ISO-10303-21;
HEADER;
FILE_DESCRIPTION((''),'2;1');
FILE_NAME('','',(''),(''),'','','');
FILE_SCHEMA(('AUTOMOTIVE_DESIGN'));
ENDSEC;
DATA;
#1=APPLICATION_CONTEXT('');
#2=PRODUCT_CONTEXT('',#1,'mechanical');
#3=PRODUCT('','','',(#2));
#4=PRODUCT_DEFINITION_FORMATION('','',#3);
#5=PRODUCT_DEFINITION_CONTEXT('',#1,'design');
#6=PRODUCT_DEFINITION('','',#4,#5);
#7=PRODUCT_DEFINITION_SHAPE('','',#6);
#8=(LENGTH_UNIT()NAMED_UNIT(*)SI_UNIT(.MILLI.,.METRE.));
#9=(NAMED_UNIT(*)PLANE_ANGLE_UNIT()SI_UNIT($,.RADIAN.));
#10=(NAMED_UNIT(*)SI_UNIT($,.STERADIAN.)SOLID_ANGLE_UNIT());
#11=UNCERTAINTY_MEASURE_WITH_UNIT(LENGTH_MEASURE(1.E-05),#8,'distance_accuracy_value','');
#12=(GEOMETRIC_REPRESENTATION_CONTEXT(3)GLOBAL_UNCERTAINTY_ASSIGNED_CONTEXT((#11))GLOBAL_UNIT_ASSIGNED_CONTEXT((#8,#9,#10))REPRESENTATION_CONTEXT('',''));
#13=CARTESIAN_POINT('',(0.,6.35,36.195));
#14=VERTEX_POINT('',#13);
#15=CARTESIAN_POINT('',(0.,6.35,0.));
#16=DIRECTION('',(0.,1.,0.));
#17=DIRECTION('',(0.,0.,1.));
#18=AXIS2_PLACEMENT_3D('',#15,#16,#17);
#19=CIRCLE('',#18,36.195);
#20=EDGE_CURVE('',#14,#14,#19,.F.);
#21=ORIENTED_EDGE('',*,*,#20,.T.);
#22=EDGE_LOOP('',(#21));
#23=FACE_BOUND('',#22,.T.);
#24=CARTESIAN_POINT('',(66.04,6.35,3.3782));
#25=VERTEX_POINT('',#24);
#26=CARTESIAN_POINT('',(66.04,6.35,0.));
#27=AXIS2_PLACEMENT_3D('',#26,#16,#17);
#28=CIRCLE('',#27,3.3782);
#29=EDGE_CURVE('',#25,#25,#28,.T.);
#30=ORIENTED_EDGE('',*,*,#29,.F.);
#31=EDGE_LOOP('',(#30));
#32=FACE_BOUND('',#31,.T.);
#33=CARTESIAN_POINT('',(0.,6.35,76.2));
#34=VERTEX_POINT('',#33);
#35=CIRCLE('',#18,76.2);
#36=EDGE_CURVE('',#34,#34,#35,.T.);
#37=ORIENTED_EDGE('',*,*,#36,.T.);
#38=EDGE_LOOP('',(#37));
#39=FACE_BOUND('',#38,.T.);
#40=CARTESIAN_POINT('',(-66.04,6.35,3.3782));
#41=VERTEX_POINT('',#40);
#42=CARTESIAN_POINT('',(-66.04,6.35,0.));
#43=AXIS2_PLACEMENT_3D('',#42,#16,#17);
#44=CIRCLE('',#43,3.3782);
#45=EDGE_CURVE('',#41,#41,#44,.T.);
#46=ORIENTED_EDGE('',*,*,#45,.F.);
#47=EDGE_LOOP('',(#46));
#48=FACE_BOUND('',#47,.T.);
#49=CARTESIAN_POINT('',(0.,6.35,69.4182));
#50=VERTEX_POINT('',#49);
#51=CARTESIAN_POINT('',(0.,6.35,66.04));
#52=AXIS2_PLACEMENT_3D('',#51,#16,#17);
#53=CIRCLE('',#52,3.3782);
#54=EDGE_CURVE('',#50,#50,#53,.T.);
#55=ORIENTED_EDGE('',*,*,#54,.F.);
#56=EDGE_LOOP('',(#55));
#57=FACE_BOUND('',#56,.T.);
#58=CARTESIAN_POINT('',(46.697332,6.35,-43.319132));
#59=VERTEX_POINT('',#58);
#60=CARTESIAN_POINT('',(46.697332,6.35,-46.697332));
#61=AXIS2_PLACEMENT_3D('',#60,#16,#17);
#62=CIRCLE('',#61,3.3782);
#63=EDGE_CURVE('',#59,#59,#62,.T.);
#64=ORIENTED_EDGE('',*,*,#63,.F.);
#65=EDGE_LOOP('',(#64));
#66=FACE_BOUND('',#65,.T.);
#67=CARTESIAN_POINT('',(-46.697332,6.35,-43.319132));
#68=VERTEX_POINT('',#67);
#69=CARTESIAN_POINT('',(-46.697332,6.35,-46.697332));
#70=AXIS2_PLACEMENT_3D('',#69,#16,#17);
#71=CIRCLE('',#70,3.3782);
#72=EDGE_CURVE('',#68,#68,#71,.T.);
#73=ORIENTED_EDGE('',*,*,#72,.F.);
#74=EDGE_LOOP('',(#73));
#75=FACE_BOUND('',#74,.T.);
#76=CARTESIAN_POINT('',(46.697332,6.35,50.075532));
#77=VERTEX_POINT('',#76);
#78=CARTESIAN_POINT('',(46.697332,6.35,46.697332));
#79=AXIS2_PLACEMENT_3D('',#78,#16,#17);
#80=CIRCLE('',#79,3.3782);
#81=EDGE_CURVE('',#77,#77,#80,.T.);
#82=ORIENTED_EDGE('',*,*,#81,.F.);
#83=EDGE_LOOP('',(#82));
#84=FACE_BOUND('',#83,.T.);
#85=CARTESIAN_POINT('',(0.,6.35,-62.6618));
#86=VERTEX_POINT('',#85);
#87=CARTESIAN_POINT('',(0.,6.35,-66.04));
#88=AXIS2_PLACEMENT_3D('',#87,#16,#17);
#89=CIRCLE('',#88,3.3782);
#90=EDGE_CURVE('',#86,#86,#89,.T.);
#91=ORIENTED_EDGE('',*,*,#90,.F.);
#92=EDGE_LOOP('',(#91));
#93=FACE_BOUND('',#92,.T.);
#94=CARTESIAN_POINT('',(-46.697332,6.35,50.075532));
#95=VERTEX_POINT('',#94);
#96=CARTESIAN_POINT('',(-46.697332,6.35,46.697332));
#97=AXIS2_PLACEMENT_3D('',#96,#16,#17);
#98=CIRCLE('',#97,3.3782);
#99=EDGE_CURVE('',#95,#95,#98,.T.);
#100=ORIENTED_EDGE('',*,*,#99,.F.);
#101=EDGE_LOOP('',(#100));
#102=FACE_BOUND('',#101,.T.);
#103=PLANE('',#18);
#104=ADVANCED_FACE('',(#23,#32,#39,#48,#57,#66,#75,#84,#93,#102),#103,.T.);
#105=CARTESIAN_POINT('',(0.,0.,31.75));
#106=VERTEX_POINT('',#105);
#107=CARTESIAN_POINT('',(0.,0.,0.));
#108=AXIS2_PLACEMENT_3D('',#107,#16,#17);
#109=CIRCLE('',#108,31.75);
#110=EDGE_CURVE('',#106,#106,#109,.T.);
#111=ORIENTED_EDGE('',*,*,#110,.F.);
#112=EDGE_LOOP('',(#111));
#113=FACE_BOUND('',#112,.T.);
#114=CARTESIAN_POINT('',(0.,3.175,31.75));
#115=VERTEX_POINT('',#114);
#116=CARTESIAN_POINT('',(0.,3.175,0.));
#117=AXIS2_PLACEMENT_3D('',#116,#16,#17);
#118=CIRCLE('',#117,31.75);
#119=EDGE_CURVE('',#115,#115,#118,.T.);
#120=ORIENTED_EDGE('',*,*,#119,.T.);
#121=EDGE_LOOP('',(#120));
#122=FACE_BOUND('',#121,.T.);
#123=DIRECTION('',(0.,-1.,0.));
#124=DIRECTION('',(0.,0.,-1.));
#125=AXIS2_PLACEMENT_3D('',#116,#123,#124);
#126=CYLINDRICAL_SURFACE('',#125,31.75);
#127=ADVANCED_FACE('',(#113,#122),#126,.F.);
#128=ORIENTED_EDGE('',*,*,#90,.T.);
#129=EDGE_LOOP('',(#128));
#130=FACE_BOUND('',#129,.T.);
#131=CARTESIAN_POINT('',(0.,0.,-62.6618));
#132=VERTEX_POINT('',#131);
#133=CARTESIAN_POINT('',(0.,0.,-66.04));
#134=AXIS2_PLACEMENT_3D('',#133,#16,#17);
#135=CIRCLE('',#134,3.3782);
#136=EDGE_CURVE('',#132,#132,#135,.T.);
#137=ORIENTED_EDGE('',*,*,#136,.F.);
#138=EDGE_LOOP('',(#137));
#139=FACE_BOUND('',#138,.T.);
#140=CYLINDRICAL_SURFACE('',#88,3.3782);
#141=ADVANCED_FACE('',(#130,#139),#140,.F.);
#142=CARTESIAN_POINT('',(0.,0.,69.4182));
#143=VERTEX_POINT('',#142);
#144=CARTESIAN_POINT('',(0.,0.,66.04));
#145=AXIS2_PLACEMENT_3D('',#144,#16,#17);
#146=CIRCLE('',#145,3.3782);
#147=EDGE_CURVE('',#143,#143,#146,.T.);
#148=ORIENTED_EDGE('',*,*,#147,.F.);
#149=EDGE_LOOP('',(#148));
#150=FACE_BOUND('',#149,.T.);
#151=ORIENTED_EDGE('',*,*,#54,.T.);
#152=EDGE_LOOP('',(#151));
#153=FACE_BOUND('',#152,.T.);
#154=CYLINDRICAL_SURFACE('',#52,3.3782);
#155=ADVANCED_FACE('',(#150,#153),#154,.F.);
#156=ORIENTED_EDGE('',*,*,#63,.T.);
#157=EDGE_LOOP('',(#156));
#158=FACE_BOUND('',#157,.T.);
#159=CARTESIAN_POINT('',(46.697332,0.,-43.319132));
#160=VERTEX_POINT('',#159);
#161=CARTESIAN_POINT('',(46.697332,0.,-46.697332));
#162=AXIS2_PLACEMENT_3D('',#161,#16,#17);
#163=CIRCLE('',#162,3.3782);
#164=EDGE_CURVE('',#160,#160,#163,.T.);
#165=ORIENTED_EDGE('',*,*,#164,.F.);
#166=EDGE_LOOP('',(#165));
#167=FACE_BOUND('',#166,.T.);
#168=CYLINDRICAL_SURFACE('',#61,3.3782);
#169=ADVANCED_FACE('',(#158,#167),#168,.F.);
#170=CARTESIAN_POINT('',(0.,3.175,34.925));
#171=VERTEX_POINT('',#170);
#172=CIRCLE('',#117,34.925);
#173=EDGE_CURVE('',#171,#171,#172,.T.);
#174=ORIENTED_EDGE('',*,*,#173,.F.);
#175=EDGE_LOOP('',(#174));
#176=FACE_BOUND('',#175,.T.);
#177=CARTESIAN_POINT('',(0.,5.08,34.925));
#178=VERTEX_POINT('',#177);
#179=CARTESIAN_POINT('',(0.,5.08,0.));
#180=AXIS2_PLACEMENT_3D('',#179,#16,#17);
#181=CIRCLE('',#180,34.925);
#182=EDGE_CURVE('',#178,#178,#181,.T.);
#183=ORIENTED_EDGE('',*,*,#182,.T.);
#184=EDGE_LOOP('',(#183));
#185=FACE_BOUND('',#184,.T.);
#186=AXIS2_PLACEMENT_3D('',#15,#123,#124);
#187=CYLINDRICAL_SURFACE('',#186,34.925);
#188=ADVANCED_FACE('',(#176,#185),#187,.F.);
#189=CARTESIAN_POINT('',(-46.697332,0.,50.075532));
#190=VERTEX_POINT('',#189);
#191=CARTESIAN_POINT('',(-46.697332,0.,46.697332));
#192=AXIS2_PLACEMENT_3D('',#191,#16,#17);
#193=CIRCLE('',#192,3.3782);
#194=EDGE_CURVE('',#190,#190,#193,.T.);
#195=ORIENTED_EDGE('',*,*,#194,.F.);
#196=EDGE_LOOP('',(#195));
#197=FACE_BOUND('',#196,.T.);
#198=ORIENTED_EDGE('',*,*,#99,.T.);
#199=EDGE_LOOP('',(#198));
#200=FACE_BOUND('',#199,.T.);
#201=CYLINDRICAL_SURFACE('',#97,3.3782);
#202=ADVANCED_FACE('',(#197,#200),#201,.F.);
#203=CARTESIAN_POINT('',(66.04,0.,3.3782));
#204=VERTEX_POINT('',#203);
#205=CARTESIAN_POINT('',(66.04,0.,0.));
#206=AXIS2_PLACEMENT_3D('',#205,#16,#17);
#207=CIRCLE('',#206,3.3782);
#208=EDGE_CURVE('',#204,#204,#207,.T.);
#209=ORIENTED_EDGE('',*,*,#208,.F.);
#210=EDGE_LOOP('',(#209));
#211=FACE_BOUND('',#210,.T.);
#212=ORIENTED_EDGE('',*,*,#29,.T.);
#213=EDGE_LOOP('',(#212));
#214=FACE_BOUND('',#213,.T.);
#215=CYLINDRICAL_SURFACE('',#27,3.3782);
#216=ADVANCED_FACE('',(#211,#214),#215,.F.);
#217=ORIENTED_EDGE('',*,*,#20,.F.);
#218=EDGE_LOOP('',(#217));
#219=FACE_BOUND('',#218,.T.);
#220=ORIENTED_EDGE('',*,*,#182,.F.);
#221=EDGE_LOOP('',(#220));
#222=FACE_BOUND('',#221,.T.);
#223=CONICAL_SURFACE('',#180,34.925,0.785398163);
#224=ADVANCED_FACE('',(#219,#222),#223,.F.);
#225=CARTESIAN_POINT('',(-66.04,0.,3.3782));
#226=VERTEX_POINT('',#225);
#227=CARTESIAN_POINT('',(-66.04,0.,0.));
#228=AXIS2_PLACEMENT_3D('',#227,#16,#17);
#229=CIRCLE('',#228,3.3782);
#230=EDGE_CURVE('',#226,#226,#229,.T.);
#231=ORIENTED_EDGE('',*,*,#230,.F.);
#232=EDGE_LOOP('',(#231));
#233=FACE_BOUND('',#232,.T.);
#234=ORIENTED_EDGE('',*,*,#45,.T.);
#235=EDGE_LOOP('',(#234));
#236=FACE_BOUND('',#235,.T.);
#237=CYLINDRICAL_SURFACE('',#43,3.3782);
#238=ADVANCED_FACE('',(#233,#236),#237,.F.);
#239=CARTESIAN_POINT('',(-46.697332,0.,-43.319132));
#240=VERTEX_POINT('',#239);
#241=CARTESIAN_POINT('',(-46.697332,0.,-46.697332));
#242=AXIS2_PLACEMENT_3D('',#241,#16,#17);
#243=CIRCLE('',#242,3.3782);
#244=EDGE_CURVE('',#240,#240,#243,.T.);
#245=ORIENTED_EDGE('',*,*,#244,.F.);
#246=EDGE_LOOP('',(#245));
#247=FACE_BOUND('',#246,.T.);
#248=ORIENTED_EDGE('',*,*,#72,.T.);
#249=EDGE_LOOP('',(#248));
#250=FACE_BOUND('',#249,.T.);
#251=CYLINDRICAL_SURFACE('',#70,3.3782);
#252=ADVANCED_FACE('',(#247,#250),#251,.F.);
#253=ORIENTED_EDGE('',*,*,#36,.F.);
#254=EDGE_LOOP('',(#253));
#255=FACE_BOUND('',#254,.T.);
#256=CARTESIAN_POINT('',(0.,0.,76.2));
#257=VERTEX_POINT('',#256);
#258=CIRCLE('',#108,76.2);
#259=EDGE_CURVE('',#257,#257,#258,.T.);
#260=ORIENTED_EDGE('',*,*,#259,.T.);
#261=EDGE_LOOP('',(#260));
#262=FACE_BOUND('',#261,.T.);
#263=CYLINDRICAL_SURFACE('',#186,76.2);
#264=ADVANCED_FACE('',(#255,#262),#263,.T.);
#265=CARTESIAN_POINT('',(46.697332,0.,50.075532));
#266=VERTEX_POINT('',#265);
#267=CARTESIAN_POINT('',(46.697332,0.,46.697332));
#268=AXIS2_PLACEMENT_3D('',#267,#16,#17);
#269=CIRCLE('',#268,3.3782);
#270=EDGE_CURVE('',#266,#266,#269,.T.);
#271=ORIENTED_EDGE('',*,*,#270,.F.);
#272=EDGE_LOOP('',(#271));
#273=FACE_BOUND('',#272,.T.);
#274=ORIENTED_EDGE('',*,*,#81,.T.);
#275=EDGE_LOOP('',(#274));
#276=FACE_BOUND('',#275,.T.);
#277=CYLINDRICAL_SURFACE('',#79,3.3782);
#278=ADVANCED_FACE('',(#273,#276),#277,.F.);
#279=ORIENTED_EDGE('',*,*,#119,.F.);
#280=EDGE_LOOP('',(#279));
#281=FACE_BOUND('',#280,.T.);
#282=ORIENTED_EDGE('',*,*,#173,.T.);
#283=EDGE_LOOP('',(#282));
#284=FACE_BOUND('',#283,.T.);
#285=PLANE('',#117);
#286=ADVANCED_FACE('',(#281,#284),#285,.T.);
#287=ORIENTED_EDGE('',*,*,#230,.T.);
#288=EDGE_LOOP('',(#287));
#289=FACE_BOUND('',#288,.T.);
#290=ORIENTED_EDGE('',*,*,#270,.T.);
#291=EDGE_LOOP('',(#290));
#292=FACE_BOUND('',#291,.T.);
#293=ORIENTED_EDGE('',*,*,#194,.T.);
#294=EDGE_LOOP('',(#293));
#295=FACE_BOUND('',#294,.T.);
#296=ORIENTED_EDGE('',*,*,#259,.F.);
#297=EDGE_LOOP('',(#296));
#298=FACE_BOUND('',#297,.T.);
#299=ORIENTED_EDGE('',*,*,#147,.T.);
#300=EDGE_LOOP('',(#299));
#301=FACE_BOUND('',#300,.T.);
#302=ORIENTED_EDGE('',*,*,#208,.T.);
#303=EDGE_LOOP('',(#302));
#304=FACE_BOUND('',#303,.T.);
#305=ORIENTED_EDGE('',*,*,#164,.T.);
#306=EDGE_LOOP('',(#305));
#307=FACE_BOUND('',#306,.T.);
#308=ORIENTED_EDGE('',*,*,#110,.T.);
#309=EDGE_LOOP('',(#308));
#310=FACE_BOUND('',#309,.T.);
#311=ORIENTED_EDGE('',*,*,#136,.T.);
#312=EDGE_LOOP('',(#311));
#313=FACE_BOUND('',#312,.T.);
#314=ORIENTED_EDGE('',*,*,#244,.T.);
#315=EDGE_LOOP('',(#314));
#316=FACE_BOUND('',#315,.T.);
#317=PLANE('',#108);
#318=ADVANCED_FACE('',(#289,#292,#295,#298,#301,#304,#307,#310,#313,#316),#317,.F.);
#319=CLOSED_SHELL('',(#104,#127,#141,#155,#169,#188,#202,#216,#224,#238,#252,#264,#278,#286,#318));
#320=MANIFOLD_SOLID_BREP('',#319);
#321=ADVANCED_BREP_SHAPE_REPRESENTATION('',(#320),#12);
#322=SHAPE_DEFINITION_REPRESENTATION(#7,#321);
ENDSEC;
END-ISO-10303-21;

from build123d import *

# Parameters (mm, degrees)
SKETCH1_R           = 76.2
SKETCH1_R_2         = 34.925
BOSS_EXTRUDE1_DEPTH = 6.35
CIRPATTERN1_COUNT   = 8
CHAMFER1_SIZE       = 1.27
SKETCH6_R           = 34.925
SKETCH6_R_2         = 31.75
BOSS_EXTRUDE2_DEPTH = 3.175


with BuildPart() as part:
    # Sketch1 → Boss-Extrude1 (new body)
    with BuildSketch(Plane(origin=(0, 0, 0), x_dir=(1, 0, 0), z_dir=(0, 1, 0))):
        Circle(SKETCH1_R)
        Circle(SKETCH1_R_2, mode=Mode.SUBTRACT)
    extrude(amount=BOSS_EXTRUDE1_DEPTH)

    # Sketch4 → 1/4 Clearance Hole1 (revolve, cut)
    with BuildSketch(Plane(origin=(0, 6.35, 66.04), x_dir=(0, 0, 1), z_dir=(1, 0, 0))):
        Polygon((0, 0), (0, 27.429827343), (3.3782, 25.4), (3.3782, 0), align=None)
    f_1_4_clearance_hole1 = revolve(axis=Axis((0, 12.7, 66.04), (0, -1, 0)), mode=Mode.SUBTRACT)

    # CirPattern1: 1/4 Clearance Hole1 ×8 about axis
    cirpattern1_axis = Axis((0, 6.6675, 0), (0, -1, 0))
    for i in range(1, CIRPATTERN1_COUNT):
        add(f_1_4_clearance_hole1.rotate(cirpattern1_axis, i * 360 / CIRPATTERN1_COUNT), mode=Mode.SUBTRACT)

    # Chamfer1
    chamfer1_edges = [part.edges().sort_by_distance(p)[0] for p in [
        (-34.925, 6.35, 0),
    ]]
    chamfer(chamfer1_edges, length=CHAMFER1_SIZE)

    # Sketch6 → Boss-Extrude2 (add)
    with BuildSketch(Plane(origin=(0, 0, 0), x_dir=(1, 0, 0), z_dir=(0, 1, 0))):
        Circle(SKETCH6_R)
        Circle(SKETCH6_R_2, mode=Mode.SUBTRACT)
    extrude(amount=BOSS_EXTRUDE2_DEPTH)


solid = part.part
